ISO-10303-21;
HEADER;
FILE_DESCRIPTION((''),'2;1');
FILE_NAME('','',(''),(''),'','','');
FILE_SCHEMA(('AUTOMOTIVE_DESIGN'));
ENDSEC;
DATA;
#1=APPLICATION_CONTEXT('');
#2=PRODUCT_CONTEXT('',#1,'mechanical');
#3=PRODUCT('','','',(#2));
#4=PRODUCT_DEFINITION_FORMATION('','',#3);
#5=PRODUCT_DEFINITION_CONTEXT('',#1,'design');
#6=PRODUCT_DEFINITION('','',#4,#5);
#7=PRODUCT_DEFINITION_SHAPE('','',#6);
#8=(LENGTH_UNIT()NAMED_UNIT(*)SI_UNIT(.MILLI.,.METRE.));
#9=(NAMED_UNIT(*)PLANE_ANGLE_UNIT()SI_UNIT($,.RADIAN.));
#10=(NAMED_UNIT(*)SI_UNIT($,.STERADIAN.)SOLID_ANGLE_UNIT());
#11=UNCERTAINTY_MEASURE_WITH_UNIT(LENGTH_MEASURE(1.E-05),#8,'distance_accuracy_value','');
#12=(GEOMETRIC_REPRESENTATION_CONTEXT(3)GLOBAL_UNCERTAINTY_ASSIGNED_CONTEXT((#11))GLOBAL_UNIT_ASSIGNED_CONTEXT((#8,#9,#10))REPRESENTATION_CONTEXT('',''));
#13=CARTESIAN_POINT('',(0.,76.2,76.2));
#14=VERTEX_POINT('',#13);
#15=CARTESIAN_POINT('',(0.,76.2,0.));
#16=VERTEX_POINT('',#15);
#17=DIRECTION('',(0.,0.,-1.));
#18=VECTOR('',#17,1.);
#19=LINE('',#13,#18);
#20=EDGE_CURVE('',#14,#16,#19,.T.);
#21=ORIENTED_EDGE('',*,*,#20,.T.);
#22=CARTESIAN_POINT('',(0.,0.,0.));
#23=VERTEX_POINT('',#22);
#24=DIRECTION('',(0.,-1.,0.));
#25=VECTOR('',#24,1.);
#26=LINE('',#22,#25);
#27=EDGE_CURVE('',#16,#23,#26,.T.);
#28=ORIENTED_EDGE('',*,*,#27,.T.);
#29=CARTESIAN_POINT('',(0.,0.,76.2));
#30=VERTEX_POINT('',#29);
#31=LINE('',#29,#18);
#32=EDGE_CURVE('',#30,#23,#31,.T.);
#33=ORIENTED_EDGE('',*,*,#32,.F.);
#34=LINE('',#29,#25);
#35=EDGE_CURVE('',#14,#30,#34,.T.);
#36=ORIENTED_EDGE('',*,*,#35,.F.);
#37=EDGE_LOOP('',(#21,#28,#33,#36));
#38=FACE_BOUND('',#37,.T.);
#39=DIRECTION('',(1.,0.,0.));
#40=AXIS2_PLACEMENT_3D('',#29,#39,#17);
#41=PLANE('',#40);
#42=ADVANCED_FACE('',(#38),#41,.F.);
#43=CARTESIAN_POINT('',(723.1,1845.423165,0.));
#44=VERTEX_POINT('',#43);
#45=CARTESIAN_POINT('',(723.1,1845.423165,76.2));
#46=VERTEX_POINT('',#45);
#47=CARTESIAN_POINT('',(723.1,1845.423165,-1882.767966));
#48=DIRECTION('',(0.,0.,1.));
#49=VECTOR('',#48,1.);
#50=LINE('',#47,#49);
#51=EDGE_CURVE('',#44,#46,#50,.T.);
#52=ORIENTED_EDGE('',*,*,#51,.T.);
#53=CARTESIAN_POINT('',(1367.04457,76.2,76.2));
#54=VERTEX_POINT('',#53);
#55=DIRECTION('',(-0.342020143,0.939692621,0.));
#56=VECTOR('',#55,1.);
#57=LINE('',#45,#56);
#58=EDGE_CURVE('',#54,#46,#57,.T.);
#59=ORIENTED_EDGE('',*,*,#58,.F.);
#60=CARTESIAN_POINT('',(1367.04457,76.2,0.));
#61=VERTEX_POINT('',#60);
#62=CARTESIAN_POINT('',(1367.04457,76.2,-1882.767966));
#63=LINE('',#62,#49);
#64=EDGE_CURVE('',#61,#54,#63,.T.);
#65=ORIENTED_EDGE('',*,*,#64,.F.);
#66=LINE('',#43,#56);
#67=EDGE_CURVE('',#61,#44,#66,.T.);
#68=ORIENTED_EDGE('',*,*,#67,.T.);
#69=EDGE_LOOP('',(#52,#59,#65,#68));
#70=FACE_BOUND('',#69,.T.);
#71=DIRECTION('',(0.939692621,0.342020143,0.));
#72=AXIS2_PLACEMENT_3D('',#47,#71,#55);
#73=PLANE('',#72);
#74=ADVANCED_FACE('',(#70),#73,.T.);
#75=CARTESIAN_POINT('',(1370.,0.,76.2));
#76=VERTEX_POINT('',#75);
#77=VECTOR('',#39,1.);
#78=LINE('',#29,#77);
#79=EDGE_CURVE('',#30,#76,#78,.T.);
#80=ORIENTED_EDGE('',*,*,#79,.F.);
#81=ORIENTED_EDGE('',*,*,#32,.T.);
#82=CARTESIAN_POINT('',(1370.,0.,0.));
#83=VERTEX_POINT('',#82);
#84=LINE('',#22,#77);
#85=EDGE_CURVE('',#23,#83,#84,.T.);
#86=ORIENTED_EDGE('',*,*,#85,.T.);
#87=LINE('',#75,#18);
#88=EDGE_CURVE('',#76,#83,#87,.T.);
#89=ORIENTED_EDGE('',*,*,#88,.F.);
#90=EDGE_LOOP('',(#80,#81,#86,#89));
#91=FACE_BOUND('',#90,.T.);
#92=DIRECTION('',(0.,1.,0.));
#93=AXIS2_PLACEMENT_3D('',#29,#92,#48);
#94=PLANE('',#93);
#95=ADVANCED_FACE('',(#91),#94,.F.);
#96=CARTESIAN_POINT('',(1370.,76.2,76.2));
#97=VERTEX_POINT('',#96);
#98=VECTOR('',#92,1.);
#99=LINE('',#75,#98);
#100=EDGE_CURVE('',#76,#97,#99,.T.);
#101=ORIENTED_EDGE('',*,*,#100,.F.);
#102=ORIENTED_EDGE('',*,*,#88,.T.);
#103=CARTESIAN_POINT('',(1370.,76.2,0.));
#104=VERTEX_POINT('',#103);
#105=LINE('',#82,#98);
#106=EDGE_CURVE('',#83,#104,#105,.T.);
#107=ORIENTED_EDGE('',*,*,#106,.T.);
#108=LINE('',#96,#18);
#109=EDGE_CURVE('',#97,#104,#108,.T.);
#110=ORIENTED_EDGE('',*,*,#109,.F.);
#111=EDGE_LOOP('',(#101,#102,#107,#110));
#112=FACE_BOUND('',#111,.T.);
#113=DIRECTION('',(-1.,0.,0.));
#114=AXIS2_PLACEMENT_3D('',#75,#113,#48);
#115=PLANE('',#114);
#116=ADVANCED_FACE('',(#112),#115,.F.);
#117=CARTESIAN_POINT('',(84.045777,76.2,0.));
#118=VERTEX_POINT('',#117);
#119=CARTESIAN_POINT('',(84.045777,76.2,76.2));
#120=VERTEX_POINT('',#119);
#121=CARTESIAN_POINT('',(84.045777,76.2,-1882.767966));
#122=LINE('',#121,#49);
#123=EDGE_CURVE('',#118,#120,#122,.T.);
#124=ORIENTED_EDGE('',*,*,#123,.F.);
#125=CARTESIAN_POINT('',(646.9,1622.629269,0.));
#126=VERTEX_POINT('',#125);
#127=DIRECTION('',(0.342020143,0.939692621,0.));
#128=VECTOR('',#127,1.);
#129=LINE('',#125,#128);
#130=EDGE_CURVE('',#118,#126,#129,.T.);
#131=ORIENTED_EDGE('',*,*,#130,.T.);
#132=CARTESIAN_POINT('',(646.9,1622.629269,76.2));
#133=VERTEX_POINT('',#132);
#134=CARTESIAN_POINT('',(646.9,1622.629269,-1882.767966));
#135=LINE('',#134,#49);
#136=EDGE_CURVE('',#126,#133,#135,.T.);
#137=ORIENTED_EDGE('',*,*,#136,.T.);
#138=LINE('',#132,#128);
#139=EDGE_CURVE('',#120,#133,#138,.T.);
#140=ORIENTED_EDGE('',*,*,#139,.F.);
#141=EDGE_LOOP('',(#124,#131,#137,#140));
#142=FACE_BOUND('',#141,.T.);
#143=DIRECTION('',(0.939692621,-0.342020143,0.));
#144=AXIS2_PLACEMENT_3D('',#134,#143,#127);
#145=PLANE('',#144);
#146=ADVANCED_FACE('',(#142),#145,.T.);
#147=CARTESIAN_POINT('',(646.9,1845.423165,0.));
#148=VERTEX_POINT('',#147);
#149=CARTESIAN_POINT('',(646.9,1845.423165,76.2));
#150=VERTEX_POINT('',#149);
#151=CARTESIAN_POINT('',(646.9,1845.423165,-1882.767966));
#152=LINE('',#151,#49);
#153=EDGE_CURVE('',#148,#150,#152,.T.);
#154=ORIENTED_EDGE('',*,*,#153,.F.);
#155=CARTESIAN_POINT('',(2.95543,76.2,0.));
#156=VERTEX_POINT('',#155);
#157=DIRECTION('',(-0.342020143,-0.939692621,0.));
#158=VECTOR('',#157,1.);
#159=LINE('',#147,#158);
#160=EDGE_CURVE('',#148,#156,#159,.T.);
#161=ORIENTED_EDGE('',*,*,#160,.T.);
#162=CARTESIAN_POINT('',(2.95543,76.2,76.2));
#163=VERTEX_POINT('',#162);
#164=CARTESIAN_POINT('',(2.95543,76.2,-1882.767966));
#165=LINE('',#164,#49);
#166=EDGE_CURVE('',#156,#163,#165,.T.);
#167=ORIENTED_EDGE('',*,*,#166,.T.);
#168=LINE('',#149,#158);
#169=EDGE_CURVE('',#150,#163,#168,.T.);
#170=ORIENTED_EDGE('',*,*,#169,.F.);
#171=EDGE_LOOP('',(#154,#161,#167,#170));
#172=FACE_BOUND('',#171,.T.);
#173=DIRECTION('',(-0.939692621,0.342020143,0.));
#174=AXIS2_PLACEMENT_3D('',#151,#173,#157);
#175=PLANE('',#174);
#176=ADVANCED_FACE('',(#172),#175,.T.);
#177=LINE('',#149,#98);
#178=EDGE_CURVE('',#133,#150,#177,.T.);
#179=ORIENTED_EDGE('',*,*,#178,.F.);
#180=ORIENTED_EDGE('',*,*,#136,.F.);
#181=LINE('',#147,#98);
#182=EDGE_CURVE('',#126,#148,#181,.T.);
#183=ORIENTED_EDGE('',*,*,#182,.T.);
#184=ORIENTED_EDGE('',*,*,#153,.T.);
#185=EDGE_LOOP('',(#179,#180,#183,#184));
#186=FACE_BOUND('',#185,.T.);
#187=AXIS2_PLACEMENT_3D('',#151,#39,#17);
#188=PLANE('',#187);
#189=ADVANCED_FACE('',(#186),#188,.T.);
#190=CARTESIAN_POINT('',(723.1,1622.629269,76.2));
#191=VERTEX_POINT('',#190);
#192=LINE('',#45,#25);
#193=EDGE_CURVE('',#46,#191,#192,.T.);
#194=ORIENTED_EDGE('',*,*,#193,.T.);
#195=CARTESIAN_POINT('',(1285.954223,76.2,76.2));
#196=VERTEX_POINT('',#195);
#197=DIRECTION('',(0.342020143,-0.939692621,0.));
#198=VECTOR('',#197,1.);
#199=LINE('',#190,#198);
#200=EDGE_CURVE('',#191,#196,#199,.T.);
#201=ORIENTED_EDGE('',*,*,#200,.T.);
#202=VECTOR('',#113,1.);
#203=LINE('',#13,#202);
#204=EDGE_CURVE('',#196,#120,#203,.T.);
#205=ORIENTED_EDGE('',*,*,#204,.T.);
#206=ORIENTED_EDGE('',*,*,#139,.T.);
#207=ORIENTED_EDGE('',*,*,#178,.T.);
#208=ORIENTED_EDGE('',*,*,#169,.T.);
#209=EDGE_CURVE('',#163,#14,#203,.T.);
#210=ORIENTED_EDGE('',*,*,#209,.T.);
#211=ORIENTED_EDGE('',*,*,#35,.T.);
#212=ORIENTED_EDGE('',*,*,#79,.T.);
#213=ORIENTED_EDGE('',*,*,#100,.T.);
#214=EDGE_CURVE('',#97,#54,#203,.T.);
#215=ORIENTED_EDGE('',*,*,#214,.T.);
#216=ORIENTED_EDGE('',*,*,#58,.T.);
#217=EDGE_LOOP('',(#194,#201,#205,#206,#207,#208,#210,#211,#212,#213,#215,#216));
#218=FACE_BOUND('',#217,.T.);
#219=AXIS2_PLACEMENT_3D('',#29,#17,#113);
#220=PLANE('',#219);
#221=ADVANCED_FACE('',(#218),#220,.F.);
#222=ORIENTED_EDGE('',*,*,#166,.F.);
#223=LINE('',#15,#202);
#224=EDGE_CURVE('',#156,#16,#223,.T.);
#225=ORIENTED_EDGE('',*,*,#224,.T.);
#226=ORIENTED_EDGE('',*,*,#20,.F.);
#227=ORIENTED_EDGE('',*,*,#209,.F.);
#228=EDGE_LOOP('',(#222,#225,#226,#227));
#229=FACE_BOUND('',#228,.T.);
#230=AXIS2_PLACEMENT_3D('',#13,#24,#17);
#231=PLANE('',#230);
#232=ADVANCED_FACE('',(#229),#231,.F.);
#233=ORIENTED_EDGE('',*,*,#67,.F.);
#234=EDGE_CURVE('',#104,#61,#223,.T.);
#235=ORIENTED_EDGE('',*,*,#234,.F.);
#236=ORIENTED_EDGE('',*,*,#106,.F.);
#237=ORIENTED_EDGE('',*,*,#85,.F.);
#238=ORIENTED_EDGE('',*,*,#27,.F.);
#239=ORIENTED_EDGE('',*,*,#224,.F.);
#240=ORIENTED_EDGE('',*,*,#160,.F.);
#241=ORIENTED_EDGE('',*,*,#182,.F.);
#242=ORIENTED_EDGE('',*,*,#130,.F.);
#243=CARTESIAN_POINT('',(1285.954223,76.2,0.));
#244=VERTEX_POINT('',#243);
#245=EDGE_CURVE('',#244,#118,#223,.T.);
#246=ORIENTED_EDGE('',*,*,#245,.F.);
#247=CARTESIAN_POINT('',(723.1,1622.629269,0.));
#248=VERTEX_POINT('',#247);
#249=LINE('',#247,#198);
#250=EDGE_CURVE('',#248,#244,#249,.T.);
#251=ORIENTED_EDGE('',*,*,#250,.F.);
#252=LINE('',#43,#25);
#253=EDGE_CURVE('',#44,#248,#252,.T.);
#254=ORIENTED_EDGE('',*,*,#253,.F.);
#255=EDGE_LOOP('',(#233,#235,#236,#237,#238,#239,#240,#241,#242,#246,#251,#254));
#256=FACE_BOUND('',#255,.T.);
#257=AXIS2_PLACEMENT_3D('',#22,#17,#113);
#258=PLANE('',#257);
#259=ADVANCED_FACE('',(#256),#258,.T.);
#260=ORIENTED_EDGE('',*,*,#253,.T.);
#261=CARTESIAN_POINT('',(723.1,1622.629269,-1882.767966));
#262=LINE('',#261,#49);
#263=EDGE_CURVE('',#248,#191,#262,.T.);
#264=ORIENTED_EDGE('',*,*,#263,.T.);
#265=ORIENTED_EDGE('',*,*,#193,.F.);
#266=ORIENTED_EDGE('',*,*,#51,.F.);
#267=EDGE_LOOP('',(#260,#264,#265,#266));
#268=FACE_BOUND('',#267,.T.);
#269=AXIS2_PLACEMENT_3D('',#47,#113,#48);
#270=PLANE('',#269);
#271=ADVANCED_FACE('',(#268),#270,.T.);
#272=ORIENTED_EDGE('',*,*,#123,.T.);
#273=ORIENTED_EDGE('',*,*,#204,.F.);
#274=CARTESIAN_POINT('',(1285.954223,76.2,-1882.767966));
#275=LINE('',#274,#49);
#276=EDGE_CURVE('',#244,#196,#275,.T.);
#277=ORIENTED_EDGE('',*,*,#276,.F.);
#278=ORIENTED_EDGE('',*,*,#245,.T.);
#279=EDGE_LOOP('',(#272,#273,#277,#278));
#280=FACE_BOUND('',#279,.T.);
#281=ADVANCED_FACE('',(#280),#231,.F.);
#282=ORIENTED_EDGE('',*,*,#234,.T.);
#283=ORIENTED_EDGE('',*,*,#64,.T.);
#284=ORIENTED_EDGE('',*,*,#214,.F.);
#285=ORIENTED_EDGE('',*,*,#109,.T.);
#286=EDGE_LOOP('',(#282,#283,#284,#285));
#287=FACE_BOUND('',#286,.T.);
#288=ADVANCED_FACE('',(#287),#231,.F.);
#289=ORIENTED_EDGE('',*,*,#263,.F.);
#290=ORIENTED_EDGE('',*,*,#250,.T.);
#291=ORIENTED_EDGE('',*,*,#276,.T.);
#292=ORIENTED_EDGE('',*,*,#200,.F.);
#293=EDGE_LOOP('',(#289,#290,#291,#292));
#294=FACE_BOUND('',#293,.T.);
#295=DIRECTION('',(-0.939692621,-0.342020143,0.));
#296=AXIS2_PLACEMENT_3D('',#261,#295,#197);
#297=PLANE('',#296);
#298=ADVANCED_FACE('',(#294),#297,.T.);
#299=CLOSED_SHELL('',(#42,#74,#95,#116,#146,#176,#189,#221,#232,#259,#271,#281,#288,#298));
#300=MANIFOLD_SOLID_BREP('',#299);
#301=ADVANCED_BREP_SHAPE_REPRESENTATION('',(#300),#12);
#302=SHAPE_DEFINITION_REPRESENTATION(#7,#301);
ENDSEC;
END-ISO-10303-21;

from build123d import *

# Parameters (mm, degrees)
CROQUIS1_W              = 1370
CROQUIS1_H              = 76.2
SALIENTE_EXTRUIR1_DEPTH = 76.2
SALIENTE_EXTRUIR2_DEPTH = 76.2


with BuildPart() as part:
    # Croquis1 → Saliente-Extruir1 (new body)
    with BuildSketch(Plane.XY):
        with Locations((685, 38.1)):
            Rectangle(CROQUIS1_W, CROQUIS1_H)
    extrude(amount=SALIENTE_EXTRUIR1_DEPTH)

    # Croquis2 → Saliente-Extruir2 (add)
    with BuildSketch(Plane.XY.offset(76.2)):
        Polygon((723.1, 1845.423164628), (723.1, 1622.629269336), (1285.954223436, 76.2), (1367.044569699, 76.2), align=None)
        Polygon((2.955430301, 76.2), (84.045776564, 76.2), (646.9, 1622.629269336), (646.9, 1845.423164628), align=None)
    extrude(amount=-SALIENTE_EXTRUIR2_DEPTH)


solid = part.part
